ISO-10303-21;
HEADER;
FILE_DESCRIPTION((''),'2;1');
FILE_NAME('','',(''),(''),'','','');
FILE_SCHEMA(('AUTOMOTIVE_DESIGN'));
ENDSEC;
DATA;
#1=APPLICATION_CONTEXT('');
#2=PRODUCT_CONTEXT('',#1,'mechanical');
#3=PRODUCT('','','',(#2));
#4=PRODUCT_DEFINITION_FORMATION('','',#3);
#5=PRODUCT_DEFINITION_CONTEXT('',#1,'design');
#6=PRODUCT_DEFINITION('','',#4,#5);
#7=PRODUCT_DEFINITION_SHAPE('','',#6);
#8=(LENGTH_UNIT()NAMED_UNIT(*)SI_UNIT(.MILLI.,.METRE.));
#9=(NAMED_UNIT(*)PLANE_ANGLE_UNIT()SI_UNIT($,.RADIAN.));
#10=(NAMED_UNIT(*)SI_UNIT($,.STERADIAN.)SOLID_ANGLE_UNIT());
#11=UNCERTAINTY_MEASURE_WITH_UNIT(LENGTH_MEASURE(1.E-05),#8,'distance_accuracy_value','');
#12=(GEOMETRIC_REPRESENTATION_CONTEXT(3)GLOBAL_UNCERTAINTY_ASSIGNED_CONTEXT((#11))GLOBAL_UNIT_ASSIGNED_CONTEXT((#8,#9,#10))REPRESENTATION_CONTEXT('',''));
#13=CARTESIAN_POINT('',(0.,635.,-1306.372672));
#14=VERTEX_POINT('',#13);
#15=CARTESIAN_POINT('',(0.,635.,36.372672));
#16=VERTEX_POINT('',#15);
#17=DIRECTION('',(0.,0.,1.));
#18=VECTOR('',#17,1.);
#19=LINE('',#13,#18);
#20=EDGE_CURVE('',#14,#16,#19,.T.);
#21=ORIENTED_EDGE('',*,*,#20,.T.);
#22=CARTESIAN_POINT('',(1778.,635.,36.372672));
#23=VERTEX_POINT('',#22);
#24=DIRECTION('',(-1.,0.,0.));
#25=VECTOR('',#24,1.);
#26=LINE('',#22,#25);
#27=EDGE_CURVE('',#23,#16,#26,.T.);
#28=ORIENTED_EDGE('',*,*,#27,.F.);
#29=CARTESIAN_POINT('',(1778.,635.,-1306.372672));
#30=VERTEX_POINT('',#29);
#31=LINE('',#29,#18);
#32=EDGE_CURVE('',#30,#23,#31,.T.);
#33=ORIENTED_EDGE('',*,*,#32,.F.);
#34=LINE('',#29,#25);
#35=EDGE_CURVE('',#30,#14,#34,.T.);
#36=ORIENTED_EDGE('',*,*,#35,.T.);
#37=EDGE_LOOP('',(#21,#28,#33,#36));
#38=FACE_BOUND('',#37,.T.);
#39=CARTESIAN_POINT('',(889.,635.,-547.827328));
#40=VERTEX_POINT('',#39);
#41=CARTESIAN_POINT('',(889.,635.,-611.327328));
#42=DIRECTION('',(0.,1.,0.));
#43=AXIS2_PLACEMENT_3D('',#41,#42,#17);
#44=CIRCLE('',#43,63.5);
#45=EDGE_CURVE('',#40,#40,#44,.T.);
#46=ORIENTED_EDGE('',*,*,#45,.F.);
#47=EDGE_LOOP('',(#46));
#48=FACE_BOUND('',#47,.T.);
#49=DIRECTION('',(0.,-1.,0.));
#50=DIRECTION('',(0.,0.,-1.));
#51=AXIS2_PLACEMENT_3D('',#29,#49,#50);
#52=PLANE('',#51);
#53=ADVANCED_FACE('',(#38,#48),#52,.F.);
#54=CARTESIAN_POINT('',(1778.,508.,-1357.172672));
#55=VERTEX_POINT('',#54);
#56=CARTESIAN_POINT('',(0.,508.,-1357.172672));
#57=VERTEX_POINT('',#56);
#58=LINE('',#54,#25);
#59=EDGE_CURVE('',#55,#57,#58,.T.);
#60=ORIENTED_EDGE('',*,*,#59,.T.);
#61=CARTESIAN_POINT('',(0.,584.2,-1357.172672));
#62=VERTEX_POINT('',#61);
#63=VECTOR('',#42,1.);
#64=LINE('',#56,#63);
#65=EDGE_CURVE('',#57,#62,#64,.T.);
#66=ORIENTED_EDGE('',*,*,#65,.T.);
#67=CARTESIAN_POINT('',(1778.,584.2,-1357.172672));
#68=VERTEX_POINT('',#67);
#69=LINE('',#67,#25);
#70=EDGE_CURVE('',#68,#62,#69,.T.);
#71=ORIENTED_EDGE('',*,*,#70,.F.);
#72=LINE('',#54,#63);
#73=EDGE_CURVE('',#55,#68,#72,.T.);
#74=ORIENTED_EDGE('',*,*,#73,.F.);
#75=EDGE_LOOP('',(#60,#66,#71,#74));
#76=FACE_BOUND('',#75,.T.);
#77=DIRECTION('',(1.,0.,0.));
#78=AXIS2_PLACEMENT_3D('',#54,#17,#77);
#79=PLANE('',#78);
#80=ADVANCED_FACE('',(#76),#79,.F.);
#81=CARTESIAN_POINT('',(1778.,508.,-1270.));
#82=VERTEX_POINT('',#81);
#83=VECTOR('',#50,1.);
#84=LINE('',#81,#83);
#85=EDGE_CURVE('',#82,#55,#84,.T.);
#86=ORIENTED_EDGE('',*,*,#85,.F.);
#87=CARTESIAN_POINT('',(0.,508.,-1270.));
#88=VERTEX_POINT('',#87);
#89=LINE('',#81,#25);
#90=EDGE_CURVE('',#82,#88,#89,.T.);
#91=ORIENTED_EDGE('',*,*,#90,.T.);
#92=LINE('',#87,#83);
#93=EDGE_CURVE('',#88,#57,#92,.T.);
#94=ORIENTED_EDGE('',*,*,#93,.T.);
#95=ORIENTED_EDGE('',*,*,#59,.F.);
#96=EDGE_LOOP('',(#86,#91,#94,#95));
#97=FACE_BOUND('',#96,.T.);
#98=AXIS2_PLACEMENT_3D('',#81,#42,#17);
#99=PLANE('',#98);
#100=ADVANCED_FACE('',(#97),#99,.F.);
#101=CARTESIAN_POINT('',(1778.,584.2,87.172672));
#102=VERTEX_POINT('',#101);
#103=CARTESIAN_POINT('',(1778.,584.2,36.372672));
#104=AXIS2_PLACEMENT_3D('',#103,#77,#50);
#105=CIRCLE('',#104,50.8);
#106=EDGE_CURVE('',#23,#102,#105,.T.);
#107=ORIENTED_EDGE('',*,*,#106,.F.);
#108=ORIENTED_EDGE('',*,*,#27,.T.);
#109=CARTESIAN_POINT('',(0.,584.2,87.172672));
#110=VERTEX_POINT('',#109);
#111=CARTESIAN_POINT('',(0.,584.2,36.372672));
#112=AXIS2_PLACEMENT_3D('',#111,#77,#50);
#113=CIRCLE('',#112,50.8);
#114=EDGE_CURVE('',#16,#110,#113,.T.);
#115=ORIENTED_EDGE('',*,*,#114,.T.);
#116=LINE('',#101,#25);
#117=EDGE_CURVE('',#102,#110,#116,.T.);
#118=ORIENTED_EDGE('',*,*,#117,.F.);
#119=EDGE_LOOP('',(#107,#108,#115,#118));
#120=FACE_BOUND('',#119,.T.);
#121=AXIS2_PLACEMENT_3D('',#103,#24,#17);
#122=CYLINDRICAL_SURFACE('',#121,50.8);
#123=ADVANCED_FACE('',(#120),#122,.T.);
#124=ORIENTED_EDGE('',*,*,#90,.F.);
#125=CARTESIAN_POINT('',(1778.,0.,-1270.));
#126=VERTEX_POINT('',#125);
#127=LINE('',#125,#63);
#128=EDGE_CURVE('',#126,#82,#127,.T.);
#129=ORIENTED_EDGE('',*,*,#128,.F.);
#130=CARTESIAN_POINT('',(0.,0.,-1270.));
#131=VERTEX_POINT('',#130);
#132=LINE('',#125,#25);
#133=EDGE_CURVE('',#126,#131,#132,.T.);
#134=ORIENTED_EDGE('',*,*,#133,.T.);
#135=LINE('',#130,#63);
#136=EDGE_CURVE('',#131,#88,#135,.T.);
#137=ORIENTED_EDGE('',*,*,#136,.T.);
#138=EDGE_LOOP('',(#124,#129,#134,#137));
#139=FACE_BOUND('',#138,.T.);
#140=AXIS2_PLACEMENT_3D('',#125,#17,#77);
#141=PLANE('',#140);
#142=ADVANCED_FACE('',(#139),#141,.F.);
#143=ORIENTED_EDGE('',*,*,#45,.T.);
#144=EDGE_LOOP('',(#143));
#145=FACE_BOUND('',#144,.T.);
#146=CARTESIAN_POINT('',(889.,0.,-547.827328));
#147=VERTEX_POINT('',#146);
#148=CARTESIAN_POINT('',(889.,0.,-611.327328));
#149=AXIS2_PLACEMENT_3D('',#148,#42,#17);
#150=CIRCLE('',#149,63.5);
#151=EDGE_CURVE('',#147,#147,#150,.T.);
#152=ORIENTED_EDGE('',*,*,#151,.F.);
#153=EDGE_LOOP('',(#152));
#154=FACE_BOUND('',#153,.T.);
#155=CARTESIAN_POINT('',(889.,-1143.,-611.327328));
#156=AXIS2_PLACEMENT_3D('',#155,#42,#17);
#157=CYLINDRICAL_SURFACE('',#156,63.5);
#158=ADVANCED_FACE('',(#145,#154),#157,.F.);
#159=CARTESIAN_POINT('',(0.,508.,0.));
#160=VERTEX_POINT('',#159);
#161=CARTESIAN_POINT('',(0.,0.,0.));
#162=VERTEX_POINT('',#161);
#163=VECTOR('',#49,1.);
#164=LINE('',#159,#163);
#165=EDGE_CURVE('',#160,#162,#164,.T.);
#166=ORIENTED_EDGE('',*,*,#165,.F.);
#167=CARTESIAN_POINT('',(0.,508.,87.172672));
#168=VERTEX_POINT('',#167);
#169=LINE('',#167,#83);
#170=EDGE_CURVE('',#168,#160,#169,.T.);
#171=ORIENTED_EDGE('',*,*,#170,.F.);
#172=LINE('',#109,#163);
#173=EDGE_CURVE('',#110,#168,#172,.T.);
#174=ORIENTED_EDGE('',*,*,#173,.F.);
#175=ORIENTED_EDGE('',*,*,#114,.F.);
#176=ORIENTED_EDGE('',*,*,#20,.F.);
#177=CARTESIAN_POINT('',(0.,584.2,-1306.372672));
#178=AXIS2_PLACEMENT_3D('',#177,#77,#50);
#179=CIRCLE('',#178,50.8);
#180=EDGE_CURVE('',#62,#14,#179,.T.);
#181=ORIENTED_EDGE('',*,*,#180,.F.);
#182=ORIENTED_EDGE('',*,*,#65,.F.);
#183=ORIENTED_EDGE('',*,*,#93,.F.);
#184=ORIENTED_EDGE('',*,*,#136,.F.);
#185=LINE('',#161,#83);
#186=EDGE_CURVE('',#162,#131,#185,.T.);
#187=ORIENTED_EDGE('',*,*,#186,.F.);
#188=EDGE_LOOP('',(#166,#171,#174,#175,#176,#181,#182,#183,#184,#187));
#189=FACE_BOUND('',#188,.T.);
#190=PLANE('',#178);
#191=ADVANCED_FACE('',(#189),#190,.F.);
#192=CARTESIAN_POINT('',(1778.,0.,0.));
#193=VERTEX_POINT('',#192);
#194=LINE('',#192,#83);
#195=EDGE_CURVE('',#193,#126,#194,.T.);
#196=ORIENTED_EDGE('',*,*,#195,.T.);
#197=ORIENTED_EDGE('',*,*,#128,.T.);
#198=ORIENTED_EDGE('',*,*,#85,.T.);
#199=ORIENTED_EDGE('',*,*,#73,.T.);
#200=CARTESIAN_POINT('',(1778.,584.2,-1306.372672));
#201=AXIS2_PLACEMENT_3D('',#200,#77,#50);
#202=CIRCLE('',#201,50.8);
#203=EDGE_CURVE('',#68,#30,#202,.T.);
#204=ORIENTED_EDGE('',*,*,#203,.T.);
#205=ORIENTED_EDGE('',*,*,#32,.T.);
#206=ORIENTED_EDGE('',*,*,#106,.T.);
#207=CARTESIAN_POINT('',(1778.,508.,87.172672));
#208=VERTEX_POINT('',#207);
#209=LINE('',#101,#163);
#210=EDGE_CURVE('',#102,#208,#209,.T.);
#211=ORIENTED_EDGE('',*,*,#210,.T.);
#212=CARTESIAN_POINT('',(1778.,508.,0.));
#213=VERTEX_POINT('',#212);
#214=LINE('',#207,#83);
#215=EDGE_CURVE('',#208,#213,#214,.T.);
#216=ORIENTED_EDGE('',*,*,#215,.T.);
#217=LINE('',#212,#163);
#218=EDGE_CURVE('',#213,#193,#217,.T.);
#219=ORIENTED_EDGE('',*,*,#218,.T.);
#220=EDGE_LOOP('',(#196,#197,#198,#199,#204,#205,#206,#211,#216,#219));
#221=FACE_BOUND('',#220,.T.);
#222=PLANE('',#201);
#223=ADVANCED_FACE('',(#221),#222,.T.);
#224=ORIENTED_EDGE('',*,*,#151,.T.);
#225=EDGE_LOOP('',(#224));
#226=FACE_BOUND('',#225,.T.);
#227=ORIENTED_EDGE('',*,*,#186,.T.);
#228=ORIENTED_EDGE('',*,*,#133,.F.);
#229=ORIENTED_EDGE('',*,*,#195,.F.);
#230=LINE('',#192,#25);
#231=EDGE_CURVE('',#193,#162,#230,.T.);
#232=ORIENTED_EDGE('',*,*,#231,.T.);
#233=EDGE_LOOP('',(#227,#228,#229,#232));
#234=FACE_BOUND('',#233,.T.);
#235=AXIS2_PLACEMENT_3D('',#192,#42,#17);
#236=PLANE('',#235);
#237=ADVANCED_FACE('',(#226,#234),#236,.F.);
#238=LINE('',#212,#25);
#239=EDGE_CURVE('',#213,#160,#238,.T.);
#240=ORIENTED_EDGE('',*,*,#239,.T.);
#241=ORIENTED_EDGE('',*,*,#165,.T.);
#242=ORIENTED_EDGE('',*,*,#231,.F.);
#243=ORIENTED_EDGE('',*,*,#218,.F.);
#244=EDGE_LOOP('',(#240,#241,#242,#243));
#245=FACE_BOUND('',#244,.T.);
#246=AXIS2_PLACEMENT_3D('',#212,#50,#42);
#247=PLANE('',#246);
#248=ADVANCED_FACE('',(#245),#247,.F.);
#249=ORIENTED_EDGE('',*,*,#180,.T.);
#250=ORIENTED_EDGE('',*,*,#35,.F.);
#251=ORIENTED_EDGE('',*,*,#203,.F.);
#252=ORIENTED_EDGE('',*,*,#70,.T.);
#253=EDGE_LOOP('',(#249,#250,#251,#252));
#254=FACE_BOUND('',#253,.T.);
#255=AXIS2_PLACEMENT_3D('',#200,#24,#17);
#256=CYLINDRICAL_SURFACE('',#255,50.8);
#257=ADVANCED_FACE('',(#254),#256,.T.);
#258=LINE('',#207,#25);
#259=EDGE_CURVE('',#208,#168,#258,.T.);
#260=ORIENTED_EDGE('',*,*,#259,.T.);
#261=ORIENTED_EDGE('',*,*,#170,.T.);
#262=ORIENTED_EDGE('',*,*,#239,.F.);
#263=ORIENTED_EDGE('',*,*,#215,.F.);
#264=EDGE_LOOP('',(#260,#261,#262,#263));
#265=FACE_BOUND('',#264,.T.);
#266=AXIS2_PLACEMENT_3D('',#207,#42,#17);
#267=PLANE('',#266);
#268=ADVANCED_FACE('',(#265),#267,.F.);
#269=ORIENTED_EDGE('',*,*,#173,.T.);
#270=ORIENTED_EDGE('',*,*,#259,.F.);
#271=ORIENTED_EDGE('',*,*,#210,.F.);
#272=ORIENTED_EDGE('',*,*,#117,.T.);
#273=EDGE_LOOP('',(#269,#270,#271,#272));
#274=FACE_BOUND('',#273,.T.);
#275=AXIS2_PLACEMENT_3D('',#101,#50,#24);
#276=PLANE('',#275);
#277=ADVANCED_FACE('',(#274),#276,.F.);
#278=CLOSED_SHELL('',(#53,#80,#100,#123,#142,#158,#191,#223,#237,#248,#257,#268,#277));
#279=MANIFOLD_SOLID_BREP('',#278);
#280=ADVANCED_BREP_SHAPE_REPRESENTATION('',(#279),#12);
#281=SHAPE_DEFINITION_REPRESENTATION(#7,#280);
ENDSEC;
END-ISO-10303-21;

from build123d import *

# Parameters (mm, degrees)
BOSS_EXTRUDE1_DEPTH = 1778
SKETCH2_R           = 63.5
CUT_EXTRUDE1_DEPTH  = 1778


with BuildPart() as part:
    # Sketch1 → Boss-Extrude1 (new body)
    with BuildSketch(Plane(origin=(0, 0, 0), x_dir=(0, 0, -1), z_dir=(1, 0, 0))):
        with BuildLine():
            Line((0, 0), (1270, 0))
            Line((1270, 0), (1270, 508))
            Line((1270, 508), (1357.172672295, 508))
            Line((1357.172672295, 508), (1357.172672295, 584.2))
            ThreePointArc((1357.172672295, 584.2), (1342.293696779, 620.121024484), (1306.372672295, 635))
            Line((1306.372672295, 635), (-36.372672295, 635))
            ThreePointArc((-36.372672295, 635), (-72.293696779, 620.121024484), (-87.172672295, 584.2))
            Line((-87.172672295, 584.2), (-87.172672295, 508))
            Line((-87.172672295, 508), (0, 508))
            Line((0, 508), (0, 0))
        make_face()
    extrude(amount=BOSS_EXTRUDE1_DEPTH)

    # Sketch2 → Cut-Extrude1 (cut)
    with BuildSketch(Plane(origin=(0, 635, 0), x_dir=(1, 0, 0), z_dir=(0, 1, 0))):
        with Locations(Location((889, 611.327327705, 0), (0, 0, 270))):
            Circle(SKETCH2_R)
    extrude(amount=-CUT_EXTRUDE1_DEPTH, mode=Mode.SUBTRACT)


solid = part.part
